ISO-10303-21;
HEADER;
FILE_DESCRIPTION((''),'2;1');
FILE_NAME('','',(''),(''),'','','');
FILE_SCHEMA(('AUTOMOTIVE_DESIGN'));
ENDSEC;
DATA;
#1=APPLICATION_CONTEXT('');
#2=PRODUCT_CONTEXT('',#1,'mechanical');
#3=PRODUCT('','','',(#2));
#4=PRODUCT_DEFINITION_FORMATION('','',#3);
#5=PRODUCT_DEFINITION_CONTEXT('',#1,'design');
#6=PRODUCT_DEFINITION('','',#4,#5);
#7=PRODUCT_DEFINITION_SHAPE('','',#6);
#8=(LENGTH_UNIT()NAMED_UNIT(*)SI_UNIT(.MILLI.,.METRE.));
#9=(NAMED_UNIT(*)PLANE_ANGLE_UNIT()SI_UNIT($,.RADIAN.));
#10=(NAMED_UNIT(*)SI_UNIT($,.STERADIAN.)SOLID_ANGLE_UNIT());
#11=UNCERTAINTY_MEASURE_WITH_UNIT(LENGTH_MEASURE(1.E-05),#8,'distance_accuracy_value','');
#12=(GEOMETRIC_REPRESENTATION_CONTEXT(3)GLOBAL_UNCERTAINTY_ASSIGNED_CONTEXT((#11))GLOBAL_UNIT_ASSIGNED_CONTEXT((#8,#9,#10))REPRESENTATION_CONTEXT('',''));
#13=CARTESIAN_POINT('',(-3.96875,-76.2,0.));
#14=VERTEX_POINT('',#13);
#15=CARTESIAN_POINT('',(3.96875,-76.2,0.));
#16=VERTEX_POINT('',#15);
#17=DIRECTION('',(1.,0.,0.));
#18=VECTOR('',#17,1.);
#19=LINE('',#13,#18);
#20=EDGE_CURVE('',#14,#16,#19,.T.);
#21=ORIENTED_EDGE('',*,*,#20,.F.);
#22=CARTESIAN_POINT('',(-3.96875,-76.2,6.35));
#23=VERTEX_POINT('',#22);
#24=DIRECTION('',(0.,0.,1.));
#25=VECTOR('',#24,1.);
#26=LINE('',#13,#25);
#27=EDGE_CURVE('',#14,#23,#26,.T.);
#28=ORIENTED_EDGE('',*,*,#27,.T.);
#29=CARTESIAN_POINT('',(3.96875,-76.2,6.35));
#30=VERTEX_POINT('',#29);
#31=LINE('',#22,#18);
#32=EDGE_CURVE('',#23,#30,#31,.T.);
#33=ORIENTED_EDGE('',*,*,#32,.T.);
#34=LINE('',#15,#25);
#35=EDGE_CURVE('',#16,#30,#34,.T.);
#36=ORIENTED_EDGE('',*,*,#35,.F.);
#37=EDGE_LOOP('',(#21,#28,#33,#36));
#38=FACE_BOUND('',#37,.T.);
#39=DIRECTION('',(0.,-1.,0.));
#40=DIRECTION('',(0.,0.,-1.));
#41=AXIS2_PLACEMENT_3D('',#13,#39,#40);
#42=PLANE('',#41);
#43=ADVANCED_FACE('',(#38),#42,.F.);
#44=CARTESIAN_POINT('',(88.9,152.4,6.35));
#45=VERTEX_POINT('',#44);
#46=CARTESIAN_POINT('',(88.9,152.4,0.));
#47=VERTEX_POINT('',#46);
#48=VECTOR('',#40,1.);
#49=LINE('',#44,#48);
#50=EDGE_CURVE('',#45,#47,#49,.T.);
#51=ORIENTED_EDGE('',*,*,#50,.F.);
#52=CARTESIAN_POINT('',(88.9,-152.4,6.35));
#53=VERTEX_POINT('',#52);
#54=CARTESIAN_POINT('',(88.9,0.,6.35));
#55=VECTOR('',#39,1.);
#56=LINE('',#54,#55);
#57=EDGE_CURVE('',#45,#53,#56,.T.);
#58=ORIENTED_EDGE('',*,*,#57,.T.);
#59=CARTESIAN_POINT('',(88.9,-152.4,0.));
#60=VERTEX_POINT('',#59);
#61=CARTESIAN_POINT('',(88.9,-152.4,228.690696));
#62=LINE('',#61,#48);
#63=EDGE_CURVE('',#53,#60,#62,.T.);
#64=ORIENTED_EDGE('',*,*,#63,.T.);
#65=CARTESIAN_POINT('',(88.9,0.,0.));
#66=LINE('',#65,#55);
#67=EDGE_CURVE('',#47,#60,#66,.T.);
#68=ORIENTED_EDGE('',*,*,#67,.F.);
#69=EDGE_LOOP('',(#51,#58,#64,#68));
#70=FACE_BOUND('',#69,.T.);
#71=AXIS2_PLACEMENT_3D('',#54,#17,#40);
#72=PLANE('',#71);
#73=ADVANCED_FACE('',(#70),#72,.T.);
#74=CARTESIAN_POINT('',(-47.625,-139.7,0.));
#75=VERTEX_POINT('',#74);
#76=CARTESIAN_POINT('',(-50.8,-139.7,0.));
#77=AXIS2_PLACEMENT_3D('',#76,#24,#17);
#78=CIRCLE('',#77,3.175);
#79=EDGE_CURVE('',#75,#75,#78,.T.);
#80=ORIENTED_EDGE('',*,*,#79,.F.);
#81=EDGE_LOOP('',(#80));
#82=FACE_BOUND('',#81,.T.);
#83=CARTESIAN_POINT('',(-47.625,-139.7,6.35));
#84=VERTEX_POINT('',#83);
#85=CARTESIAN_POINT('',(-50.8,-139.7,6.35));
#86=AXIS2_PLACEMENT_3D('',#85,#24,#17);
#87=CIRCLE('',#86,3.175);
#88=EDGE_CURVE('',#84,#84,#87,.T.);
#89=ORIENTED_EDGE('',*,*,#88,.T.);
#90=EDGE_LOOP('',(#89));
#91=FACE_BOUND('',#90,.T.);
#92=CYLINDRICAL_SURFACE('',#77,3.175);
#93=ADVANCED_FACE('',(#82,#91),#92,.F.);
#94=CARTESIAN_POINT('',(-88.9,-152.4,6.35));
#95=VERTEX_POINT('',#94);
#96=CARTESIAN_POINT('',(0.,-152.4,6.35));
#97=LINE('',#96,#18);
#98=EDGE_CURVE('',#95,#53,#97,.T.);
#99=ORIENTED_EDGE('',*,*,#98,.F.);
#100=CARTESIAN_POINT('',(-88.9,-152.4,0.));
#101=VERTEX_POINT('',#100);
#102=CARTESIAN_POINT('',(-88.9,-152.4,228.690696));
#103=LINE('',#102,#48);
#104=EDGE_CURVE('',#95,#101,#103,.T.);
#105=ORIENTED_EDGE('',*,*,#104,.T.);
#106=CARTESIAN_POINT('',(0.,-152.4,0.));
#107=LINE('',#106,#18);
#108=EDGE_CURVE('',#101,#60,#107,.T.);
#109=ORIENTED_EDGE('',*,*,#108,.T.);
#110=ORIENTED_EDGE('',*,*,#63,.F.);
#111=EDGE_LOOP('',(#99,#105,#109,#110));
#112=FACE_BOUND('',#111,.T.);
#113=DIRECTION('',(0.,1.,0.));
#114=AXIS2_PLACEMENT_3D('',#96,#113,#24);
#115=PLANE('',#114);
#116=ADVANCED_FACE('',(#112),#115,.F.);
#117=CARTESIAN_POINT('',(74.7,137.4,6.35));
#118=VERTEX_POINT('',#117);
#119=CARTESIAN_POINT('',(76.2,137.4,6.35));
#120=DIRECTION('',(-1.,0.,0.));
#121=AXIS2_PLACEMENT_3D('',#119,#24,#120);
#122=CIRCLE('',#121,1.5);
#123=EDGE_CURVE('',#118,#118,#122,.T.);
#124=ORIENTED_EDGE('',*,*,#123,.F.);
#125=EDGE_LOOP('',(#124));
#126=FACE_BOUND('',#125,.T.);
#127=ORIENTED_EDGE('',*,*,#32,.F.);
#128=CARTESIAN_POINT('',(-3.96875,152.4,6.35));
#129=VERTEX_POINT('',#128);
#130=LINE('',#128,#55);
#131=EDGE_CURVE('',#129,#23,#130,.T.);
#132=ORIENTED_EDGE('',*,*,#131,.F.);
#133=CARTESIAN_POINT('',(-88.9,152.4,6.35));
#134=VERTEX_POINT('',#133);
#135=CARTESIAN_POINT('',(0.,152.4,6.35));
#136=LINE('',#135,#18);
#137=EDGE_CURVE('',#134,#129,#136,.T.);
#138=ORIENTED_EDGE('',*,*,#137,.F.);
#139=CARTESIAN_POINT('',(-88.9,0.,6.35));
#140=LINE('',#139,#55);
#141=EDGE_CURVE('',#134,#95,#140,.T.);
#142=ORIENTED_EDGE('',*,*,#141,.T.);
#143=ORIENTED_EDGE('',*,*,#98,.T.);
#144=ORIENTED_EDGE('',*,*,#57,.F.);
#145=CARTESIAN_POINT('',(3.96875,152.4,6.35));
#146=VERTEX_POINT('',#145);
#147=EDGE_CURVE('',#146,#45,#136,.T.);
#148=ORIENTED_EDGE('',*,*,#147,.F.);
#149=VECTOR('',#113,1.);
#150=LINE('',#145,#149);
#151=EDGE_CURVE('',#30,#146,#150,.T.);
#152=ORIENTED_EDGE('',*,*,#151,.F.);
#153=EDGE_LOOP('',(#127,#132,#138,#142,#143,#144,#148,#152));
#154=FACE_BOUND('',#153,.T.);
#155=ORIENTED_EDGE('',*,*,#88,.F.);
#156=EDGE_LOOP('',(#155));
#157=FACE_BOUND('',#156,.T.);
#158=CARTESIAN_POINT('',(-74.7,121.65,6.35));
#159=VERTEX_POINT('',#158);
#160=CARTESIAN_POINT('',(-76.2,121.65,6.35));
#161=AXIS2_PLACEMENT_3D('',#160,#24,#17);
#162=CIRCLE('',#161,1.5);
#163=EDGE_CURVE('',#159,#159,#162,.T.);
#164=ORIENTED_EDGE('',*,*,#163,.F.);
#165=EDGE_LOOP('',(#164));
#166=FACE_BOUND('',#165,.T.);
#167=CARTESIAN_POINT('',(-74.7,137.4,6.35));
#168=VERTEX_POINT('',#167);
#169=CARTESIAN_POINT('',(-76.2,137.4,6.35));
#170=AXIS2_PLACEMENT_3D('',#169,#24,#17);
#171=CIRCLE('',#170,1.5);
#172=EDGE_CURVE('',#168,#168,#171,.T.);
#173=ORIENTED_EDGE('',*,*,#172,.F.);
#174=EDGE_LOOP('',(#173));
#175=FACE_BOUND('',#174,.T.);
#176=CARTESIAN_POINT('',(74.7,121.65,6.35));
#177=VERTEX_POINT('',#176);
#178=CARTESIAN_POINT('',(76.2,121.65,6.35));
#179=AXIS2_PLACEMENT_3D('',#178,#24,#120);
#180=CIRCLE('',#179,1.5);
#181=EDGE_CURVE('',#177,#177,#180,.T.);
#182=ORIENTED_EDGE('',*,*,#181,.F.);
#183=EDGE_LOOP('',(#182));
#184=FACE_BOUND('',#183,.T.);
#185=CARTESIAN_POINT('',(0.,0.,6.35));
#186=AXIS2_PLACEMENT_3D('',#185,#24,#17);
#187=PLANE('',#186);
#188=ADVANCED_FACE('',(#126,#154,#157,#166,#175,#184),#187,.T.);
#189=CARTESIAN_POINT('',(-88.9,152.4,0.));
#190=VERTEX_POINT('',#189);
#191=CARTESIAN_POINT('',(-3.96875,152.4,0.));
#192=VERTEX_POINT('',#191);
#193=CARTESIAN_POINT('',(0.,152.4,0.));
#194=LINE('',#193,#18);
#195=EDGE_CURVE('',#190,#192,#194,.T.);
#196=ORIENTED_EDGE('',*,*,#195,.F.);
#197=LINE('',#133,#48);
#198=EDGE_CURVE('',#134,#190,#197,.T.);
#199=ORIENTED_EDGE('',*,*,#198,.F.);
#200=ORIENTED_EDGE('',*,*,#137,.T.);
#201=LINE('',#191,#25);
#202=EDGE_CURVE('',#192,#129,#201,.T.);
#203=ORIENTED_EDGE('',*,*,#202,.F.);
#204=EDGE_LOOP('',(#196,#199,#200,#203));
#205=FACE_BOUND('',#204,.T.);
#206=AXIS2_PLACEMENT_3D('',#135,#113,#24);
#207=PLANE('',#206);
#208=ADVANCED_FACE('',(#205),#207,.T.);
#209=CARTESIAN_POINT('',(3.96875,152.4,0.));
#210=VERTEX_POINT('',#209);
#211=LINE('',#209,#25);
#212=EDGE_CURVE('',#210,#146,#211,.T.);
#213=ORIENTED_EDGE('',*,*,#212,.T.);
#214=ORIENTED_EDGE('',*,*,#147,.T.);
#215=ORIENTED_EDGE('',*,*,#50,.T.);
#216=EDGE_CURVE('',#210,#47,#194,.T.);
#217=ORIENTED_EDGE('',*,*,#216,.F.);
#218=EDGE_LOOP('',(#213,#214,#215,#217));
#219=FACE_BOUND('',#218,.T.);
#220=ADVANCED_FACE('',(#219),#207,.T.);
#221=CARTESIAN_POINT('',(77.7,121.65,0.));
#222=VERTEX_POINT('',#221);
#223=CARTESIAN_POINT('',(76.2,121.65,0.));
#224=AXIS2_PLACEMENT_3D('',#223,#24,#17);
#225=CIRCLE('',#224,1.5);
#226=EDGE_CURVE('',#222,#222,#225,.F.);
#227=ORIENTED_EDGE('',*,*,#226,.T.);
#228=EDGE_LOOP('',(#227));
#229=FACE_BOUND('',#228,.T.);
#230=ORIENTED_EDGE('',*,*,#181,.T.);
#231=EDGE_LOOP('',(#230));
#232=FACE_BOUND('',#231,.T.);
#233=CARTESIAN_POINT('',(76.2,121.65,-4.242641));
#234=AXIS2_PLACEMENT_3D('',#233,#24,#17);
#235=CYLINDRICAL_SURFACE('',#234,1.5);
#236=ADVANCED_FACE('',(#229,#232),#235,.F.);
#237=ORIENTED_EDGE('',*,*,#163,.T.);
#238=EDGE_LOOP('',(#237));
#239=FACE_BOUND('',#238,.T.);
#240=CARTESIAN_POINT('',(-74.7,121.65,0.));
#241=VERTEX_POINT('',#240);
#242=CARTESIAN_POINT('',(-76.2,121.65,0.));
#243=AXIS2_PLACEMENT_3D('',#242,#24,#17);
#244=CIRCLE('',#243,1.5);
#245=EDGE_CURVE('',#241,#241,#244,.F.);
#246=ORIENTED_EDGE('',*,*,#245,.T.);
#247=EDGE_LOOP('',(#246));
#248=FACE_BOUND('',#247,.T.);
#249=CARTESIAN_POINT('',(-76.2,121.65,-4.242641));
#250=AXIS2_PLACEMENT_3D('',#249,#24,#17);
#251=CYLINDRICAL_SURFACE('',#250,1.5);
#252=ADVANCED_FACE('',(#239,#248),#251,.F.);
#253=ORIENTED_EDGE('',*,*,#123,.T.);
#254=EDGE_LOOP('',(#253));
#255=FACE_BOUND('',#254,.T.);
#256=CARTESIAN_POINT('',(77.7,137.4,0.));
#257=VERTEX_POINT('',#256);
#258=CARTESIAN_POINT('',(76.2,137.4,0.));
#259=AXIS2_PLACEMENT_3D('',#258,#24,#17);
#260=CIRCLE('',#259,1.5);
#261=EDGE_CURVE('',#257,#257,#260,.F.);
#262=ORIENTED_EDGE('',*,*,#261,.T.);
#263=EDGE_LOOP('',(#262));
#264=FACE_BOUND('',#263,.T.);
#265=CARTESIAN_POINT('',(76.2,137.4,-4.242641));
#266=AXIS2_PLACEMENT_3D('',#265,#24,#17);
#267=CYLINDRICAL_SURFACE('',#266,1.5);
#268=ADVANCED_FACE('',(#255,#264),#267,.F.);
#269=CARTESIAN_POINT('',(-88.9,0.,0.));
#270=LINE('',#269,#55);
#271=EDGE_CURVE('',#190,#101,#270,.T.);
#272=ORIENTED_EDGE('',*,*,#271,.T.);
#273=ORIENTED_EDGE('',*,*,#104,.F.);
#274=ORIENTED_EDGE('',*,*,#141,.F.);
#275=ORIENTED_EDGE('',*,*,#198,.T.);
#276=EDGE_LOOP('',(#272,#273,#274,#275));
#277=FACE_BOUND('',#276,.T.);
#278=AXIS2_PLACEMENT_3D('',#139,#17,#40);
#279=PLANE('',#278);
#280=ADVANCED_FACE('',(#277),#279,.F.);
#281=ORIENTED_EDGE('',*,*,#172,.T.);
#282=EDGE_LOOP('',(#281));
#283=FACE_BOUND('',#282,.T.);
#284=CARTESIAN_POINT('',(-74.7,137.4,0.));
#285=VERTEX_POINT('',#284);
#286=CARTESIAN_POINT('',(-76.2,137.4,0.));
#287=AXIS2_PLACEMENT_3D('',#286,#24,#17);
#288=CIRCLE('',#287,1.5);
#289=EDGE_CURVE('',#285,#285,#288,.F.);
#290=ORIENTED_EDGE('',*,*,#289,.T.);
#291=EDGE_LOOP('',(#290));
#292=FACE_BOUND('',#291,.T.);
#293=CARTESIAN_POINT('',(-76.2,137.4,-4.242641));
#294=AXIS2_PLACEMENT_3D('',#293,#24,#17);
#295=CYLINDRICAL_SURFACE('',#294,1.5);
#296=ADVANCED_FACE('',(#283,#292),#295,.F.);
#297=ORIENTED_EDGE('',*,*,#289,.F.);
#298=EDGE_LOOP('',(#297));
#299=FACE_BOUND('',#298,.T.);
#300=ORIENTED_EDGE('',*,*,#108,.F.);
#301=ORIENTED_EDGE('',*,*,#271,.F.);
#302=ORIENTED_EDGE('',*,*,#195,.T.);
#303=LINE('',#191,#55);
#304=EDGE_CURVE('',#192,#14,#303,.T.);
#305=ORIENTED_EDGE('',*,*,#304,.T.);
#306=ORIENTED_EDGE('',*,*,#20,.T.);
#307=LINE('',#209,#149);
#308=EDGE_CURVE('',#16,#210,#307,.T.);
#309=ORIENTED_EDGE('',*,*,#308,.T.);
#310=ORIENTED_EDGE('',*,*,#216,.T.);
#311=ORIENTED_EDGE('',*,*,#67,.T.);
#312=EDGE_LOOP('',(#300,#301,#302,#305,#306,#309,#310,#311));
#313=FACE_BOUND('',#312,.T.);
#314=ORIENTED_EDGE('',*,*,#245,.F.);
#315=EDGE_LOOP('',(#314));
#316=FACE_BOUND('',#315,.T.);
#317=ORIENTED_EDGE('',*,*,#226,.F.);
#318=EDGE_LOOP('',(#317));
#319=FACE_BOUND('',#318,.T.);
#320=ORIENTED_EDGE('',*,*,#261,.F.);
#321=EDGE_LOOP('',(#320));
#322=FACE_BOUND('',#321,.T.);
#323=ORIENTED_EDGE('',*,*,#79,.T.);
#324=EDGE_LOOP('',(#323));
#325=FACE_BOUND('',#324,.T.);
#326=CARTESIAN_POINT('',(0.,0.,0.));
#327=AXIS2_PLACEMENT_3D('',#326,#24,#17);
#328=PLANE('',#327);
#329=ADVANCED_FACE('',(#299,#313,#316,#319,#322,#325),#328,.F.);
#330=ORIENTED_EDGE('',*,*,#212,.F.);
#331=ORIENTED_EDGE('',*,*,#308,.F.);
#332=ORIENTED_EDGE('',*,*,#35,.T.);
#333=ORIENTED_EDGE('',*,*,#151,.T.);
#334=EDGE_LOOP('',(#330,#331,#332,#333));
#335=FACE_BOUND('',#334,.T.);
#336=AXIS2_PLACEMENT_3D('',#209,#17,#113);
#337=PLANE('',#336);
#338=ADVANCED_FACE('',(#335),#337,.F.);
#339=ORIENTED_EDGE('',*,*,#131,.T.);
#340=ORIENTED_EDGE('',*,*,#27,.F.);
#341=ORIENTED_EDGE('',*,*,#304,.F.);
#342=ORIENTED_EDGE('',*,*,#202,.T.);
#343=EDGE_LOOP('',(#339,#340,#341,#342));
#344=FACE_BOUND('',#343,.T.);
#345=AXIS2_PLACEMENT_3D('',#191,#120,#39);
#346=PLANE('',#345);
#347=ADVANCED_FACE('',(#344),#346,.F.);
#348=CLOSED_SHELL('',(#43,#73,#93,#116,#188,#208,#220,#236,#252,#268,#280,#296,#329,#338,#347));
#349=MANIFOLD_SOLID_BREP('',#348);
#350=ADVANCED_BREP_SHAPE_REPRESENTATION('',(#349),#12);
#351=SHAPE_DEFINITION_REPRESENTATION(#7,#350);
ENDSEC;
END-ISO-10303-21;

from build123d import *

# Parameters (mm, degrees)
SKETCH2_W           = 6.35
SKETCH2_H           = 44.45
SKETCH2_W_2         = 20.864285714
SKETCH2_H_2         = 6.35
SKETCH2_W_3         = 27.214285714
BOSS_EXTRUDE1_DEPTH = 6.35
SKETCH3_W           = 7.9375
SKETCH3_H           = 228.6
CUT_EXTRUDE1_DEPTH  = 186.241592252
SKETCH4_R           = 3.175
CUT_EXTRUDE2_DEPTH  = 186.241592252
SKETCH5_R           = 1.5
CUT_EXTRUDE3_DEPTH  = 6.35
SKETCH6_W           = 6.35
SKETCH6_H           = 44.45
BOSS_EXTRUDE2_DEPTH = 6.35
SKETCH7_W           = 27.214285714
SKETCH7_H           = 6.35
CUT_EXTRUDE4_DEPTH  = 6.35
SKETCH9_W           = 6.35
SKETCH9_H           = 222.25
SKETCH9_W_2         = 20.864285714
SKETCH9_H_2         = 6.35
CUT_EXTRUDE5_DEPTH  = 6.35


with BuildPart() as part:
    # Sketch2 → Boss-Extrude1 (new body)
    with BuildSketch(Plane.XY):
        Polygon((0, -152.4), (0, 152.4), (-88.9, 152.4), (-88.9, 107.95), (-88.9, 63.5), (-88.9, 19.05), (-88.9, -25.4), (-88.9, -69.85), (-88.9, -114.3), (-88.9, -152.4), (-68.035714286, -152.4), (-40.821428571, -152.4), (-13.607142857, -152.4), align=None)
        Polygon((88.9, 152.4), (0, 152.4), (0, -152.4), (13.607142857, -152.4), (40.821428571, -152.4), (68.035714286, -152.4), (88.9, -152.4), (88.9, -114.3), (88.9, -69.85), (88.9, -25.4), (88.9, 19.05), (88.9, 63.5), (88.9, 107.95), align=None)
        with Locations((-92.075, 85.725)):
            Rectangle(SKETCH2_W, SKETCH2_H)
        with Locations((-92.075, -3.175)):
            Rectangle(SKETCH2_W, SKETCH2_H)
        with Locations((-92.075, -92.075)):
            Rectangle(SKETCH2_W, SKETCH2_H)
        with Locations((-78.467857143, -155.575)):
            Rectangle(SKETCH2_W_2, SKETCH2_H_2)
        with Locations((-27.214285714, -155.575)):
            Rectangle(SKETCH2_W_3, SKETCH2_H_2)
        with Locations((27.214285714, -155.575)):
            Rectangle(SKETCH2_W_3, SKETCH2_H_2)
        with Locations((92.075, -92.075)):
            Rectangle(SKETCH2_W, SKETCH2_H)
        with Locations((92.075, -3.175)):
            Rectangle(SKETCH2_W, SKETCH2_H)
        with Locations((92.075, 85.725)):
            Rectangle(SKETCH2_W, SKETCH2_H)
        with Locations((78.467857143, -155.575)):
            Rectangle(SKETCH2_W_2, SKETCH2_H_2)
    extrude(amount=BOSS_EXTRUDE1_DEPTH)

    # Sketch3 → Cut-Extrude1 (cut, through all)
    with BuildSketch(Plane.XY.offset(6.35)):
        with Locations((0, 38.1)):
            Rectangle(SKETCH3_W, SKETCH3_H)
    extrude(amount=-CUT_EXTRUDE1_DEPTH, mode=Mode.SUBTRACT)

    # Sketch4 → Cut-Extrude2 (cut, through all)
    with BuildSketch(Plane.XY.offset(6.35)):
        with Locations((-50.8, -139.7)):
            Circle(SKETCH4_R)
    extrude(amount=-CUT_EXTRUDE2_DEPTH, mode=Mode.SUBTRACT)

    # Sketch5 → Cut-Extrude3 (cut)
    with BuildSketch(Plane.XY.offset(6.35)):
        with Locations((-76.2, 137.4)):
            Circle(SKETCH5_R)
        with Locations((-76.2, 121.65)):
            Circle(SKETCH5_R)
        with Locations((76.2, 121.65)):
            Circle(SKETCH5_R)
        with Locations((76.2, 137.4)):
            Circle(SKETCH5_R)
    extrude(amount=-CUT_EXTRUDE3_DEPTH, mode=Mode.SUBTRACT)

    # Sketch6 → Boss-Extrude2 (add)
    with BuildSketch(Plane.XY.offset(6.35)):
        with Locations((-92.075, 41.275)):
            Rectangle(SKETCH6_W, SKETCH6_H)
        with Locations((-92.075, -47.625)):
            Rectangle(SKETCH6_W, SKETCH6_H)
        with Locations((92.075, 41.275)):
            Rectangle(SKETCH6_W, SKETCH6_H)
        with Locations((92.075, -47.625)):
            Rectangle(SKETCH6_W, SKETCH6_H)
    extrude(amount=-BOSS_EXTRUDE2_DEPTH)

    # Sketch7 → Cut-Extrude4 (cut)
    with BuildSketch(Plane.XY.offset(6.35)):
        with Locations((-27.214285714, -155.575)):
            Rectangle(SKETCH7_W, SKETCH7_H)
        with Locations((27.214285714, -155.575)):
            Rectangle(SKETCH7_W, SKETCH7_H)
    extrude(amount=-CUT_EXTRUDE4_DEPTH, mode=Mode.SUBTRACT)

    # Sketch9 → Cut-Extrude5 (cut)
    with BuildSketch(Plane(origin=(0, 0, 0), x_dir=(-1, 0, 0), z_dir=(0, 0, -1))):
        with Locations((-92.075, -3.175)):
            Rectangle(SKETCH9_W, SKETCH9_H)
        with Locations((92.075, -3.175)):
            Rectangle(SKETCH9_W, SKETCH9_H)
        with Locations((-78.467857143, -155.575)):
            Rectangle(SKETCH9_W_2, SKETCH9_H_2)
        with Locations((78.467857143, -155.575)):
            Rectangle(SKETCH9_W_2, SKETCH9_H_2)
    extrude(amount=-CUT_EXTRUDE5_DEPTH, mode=Mode.SUBTRACT)


solid = part.part
